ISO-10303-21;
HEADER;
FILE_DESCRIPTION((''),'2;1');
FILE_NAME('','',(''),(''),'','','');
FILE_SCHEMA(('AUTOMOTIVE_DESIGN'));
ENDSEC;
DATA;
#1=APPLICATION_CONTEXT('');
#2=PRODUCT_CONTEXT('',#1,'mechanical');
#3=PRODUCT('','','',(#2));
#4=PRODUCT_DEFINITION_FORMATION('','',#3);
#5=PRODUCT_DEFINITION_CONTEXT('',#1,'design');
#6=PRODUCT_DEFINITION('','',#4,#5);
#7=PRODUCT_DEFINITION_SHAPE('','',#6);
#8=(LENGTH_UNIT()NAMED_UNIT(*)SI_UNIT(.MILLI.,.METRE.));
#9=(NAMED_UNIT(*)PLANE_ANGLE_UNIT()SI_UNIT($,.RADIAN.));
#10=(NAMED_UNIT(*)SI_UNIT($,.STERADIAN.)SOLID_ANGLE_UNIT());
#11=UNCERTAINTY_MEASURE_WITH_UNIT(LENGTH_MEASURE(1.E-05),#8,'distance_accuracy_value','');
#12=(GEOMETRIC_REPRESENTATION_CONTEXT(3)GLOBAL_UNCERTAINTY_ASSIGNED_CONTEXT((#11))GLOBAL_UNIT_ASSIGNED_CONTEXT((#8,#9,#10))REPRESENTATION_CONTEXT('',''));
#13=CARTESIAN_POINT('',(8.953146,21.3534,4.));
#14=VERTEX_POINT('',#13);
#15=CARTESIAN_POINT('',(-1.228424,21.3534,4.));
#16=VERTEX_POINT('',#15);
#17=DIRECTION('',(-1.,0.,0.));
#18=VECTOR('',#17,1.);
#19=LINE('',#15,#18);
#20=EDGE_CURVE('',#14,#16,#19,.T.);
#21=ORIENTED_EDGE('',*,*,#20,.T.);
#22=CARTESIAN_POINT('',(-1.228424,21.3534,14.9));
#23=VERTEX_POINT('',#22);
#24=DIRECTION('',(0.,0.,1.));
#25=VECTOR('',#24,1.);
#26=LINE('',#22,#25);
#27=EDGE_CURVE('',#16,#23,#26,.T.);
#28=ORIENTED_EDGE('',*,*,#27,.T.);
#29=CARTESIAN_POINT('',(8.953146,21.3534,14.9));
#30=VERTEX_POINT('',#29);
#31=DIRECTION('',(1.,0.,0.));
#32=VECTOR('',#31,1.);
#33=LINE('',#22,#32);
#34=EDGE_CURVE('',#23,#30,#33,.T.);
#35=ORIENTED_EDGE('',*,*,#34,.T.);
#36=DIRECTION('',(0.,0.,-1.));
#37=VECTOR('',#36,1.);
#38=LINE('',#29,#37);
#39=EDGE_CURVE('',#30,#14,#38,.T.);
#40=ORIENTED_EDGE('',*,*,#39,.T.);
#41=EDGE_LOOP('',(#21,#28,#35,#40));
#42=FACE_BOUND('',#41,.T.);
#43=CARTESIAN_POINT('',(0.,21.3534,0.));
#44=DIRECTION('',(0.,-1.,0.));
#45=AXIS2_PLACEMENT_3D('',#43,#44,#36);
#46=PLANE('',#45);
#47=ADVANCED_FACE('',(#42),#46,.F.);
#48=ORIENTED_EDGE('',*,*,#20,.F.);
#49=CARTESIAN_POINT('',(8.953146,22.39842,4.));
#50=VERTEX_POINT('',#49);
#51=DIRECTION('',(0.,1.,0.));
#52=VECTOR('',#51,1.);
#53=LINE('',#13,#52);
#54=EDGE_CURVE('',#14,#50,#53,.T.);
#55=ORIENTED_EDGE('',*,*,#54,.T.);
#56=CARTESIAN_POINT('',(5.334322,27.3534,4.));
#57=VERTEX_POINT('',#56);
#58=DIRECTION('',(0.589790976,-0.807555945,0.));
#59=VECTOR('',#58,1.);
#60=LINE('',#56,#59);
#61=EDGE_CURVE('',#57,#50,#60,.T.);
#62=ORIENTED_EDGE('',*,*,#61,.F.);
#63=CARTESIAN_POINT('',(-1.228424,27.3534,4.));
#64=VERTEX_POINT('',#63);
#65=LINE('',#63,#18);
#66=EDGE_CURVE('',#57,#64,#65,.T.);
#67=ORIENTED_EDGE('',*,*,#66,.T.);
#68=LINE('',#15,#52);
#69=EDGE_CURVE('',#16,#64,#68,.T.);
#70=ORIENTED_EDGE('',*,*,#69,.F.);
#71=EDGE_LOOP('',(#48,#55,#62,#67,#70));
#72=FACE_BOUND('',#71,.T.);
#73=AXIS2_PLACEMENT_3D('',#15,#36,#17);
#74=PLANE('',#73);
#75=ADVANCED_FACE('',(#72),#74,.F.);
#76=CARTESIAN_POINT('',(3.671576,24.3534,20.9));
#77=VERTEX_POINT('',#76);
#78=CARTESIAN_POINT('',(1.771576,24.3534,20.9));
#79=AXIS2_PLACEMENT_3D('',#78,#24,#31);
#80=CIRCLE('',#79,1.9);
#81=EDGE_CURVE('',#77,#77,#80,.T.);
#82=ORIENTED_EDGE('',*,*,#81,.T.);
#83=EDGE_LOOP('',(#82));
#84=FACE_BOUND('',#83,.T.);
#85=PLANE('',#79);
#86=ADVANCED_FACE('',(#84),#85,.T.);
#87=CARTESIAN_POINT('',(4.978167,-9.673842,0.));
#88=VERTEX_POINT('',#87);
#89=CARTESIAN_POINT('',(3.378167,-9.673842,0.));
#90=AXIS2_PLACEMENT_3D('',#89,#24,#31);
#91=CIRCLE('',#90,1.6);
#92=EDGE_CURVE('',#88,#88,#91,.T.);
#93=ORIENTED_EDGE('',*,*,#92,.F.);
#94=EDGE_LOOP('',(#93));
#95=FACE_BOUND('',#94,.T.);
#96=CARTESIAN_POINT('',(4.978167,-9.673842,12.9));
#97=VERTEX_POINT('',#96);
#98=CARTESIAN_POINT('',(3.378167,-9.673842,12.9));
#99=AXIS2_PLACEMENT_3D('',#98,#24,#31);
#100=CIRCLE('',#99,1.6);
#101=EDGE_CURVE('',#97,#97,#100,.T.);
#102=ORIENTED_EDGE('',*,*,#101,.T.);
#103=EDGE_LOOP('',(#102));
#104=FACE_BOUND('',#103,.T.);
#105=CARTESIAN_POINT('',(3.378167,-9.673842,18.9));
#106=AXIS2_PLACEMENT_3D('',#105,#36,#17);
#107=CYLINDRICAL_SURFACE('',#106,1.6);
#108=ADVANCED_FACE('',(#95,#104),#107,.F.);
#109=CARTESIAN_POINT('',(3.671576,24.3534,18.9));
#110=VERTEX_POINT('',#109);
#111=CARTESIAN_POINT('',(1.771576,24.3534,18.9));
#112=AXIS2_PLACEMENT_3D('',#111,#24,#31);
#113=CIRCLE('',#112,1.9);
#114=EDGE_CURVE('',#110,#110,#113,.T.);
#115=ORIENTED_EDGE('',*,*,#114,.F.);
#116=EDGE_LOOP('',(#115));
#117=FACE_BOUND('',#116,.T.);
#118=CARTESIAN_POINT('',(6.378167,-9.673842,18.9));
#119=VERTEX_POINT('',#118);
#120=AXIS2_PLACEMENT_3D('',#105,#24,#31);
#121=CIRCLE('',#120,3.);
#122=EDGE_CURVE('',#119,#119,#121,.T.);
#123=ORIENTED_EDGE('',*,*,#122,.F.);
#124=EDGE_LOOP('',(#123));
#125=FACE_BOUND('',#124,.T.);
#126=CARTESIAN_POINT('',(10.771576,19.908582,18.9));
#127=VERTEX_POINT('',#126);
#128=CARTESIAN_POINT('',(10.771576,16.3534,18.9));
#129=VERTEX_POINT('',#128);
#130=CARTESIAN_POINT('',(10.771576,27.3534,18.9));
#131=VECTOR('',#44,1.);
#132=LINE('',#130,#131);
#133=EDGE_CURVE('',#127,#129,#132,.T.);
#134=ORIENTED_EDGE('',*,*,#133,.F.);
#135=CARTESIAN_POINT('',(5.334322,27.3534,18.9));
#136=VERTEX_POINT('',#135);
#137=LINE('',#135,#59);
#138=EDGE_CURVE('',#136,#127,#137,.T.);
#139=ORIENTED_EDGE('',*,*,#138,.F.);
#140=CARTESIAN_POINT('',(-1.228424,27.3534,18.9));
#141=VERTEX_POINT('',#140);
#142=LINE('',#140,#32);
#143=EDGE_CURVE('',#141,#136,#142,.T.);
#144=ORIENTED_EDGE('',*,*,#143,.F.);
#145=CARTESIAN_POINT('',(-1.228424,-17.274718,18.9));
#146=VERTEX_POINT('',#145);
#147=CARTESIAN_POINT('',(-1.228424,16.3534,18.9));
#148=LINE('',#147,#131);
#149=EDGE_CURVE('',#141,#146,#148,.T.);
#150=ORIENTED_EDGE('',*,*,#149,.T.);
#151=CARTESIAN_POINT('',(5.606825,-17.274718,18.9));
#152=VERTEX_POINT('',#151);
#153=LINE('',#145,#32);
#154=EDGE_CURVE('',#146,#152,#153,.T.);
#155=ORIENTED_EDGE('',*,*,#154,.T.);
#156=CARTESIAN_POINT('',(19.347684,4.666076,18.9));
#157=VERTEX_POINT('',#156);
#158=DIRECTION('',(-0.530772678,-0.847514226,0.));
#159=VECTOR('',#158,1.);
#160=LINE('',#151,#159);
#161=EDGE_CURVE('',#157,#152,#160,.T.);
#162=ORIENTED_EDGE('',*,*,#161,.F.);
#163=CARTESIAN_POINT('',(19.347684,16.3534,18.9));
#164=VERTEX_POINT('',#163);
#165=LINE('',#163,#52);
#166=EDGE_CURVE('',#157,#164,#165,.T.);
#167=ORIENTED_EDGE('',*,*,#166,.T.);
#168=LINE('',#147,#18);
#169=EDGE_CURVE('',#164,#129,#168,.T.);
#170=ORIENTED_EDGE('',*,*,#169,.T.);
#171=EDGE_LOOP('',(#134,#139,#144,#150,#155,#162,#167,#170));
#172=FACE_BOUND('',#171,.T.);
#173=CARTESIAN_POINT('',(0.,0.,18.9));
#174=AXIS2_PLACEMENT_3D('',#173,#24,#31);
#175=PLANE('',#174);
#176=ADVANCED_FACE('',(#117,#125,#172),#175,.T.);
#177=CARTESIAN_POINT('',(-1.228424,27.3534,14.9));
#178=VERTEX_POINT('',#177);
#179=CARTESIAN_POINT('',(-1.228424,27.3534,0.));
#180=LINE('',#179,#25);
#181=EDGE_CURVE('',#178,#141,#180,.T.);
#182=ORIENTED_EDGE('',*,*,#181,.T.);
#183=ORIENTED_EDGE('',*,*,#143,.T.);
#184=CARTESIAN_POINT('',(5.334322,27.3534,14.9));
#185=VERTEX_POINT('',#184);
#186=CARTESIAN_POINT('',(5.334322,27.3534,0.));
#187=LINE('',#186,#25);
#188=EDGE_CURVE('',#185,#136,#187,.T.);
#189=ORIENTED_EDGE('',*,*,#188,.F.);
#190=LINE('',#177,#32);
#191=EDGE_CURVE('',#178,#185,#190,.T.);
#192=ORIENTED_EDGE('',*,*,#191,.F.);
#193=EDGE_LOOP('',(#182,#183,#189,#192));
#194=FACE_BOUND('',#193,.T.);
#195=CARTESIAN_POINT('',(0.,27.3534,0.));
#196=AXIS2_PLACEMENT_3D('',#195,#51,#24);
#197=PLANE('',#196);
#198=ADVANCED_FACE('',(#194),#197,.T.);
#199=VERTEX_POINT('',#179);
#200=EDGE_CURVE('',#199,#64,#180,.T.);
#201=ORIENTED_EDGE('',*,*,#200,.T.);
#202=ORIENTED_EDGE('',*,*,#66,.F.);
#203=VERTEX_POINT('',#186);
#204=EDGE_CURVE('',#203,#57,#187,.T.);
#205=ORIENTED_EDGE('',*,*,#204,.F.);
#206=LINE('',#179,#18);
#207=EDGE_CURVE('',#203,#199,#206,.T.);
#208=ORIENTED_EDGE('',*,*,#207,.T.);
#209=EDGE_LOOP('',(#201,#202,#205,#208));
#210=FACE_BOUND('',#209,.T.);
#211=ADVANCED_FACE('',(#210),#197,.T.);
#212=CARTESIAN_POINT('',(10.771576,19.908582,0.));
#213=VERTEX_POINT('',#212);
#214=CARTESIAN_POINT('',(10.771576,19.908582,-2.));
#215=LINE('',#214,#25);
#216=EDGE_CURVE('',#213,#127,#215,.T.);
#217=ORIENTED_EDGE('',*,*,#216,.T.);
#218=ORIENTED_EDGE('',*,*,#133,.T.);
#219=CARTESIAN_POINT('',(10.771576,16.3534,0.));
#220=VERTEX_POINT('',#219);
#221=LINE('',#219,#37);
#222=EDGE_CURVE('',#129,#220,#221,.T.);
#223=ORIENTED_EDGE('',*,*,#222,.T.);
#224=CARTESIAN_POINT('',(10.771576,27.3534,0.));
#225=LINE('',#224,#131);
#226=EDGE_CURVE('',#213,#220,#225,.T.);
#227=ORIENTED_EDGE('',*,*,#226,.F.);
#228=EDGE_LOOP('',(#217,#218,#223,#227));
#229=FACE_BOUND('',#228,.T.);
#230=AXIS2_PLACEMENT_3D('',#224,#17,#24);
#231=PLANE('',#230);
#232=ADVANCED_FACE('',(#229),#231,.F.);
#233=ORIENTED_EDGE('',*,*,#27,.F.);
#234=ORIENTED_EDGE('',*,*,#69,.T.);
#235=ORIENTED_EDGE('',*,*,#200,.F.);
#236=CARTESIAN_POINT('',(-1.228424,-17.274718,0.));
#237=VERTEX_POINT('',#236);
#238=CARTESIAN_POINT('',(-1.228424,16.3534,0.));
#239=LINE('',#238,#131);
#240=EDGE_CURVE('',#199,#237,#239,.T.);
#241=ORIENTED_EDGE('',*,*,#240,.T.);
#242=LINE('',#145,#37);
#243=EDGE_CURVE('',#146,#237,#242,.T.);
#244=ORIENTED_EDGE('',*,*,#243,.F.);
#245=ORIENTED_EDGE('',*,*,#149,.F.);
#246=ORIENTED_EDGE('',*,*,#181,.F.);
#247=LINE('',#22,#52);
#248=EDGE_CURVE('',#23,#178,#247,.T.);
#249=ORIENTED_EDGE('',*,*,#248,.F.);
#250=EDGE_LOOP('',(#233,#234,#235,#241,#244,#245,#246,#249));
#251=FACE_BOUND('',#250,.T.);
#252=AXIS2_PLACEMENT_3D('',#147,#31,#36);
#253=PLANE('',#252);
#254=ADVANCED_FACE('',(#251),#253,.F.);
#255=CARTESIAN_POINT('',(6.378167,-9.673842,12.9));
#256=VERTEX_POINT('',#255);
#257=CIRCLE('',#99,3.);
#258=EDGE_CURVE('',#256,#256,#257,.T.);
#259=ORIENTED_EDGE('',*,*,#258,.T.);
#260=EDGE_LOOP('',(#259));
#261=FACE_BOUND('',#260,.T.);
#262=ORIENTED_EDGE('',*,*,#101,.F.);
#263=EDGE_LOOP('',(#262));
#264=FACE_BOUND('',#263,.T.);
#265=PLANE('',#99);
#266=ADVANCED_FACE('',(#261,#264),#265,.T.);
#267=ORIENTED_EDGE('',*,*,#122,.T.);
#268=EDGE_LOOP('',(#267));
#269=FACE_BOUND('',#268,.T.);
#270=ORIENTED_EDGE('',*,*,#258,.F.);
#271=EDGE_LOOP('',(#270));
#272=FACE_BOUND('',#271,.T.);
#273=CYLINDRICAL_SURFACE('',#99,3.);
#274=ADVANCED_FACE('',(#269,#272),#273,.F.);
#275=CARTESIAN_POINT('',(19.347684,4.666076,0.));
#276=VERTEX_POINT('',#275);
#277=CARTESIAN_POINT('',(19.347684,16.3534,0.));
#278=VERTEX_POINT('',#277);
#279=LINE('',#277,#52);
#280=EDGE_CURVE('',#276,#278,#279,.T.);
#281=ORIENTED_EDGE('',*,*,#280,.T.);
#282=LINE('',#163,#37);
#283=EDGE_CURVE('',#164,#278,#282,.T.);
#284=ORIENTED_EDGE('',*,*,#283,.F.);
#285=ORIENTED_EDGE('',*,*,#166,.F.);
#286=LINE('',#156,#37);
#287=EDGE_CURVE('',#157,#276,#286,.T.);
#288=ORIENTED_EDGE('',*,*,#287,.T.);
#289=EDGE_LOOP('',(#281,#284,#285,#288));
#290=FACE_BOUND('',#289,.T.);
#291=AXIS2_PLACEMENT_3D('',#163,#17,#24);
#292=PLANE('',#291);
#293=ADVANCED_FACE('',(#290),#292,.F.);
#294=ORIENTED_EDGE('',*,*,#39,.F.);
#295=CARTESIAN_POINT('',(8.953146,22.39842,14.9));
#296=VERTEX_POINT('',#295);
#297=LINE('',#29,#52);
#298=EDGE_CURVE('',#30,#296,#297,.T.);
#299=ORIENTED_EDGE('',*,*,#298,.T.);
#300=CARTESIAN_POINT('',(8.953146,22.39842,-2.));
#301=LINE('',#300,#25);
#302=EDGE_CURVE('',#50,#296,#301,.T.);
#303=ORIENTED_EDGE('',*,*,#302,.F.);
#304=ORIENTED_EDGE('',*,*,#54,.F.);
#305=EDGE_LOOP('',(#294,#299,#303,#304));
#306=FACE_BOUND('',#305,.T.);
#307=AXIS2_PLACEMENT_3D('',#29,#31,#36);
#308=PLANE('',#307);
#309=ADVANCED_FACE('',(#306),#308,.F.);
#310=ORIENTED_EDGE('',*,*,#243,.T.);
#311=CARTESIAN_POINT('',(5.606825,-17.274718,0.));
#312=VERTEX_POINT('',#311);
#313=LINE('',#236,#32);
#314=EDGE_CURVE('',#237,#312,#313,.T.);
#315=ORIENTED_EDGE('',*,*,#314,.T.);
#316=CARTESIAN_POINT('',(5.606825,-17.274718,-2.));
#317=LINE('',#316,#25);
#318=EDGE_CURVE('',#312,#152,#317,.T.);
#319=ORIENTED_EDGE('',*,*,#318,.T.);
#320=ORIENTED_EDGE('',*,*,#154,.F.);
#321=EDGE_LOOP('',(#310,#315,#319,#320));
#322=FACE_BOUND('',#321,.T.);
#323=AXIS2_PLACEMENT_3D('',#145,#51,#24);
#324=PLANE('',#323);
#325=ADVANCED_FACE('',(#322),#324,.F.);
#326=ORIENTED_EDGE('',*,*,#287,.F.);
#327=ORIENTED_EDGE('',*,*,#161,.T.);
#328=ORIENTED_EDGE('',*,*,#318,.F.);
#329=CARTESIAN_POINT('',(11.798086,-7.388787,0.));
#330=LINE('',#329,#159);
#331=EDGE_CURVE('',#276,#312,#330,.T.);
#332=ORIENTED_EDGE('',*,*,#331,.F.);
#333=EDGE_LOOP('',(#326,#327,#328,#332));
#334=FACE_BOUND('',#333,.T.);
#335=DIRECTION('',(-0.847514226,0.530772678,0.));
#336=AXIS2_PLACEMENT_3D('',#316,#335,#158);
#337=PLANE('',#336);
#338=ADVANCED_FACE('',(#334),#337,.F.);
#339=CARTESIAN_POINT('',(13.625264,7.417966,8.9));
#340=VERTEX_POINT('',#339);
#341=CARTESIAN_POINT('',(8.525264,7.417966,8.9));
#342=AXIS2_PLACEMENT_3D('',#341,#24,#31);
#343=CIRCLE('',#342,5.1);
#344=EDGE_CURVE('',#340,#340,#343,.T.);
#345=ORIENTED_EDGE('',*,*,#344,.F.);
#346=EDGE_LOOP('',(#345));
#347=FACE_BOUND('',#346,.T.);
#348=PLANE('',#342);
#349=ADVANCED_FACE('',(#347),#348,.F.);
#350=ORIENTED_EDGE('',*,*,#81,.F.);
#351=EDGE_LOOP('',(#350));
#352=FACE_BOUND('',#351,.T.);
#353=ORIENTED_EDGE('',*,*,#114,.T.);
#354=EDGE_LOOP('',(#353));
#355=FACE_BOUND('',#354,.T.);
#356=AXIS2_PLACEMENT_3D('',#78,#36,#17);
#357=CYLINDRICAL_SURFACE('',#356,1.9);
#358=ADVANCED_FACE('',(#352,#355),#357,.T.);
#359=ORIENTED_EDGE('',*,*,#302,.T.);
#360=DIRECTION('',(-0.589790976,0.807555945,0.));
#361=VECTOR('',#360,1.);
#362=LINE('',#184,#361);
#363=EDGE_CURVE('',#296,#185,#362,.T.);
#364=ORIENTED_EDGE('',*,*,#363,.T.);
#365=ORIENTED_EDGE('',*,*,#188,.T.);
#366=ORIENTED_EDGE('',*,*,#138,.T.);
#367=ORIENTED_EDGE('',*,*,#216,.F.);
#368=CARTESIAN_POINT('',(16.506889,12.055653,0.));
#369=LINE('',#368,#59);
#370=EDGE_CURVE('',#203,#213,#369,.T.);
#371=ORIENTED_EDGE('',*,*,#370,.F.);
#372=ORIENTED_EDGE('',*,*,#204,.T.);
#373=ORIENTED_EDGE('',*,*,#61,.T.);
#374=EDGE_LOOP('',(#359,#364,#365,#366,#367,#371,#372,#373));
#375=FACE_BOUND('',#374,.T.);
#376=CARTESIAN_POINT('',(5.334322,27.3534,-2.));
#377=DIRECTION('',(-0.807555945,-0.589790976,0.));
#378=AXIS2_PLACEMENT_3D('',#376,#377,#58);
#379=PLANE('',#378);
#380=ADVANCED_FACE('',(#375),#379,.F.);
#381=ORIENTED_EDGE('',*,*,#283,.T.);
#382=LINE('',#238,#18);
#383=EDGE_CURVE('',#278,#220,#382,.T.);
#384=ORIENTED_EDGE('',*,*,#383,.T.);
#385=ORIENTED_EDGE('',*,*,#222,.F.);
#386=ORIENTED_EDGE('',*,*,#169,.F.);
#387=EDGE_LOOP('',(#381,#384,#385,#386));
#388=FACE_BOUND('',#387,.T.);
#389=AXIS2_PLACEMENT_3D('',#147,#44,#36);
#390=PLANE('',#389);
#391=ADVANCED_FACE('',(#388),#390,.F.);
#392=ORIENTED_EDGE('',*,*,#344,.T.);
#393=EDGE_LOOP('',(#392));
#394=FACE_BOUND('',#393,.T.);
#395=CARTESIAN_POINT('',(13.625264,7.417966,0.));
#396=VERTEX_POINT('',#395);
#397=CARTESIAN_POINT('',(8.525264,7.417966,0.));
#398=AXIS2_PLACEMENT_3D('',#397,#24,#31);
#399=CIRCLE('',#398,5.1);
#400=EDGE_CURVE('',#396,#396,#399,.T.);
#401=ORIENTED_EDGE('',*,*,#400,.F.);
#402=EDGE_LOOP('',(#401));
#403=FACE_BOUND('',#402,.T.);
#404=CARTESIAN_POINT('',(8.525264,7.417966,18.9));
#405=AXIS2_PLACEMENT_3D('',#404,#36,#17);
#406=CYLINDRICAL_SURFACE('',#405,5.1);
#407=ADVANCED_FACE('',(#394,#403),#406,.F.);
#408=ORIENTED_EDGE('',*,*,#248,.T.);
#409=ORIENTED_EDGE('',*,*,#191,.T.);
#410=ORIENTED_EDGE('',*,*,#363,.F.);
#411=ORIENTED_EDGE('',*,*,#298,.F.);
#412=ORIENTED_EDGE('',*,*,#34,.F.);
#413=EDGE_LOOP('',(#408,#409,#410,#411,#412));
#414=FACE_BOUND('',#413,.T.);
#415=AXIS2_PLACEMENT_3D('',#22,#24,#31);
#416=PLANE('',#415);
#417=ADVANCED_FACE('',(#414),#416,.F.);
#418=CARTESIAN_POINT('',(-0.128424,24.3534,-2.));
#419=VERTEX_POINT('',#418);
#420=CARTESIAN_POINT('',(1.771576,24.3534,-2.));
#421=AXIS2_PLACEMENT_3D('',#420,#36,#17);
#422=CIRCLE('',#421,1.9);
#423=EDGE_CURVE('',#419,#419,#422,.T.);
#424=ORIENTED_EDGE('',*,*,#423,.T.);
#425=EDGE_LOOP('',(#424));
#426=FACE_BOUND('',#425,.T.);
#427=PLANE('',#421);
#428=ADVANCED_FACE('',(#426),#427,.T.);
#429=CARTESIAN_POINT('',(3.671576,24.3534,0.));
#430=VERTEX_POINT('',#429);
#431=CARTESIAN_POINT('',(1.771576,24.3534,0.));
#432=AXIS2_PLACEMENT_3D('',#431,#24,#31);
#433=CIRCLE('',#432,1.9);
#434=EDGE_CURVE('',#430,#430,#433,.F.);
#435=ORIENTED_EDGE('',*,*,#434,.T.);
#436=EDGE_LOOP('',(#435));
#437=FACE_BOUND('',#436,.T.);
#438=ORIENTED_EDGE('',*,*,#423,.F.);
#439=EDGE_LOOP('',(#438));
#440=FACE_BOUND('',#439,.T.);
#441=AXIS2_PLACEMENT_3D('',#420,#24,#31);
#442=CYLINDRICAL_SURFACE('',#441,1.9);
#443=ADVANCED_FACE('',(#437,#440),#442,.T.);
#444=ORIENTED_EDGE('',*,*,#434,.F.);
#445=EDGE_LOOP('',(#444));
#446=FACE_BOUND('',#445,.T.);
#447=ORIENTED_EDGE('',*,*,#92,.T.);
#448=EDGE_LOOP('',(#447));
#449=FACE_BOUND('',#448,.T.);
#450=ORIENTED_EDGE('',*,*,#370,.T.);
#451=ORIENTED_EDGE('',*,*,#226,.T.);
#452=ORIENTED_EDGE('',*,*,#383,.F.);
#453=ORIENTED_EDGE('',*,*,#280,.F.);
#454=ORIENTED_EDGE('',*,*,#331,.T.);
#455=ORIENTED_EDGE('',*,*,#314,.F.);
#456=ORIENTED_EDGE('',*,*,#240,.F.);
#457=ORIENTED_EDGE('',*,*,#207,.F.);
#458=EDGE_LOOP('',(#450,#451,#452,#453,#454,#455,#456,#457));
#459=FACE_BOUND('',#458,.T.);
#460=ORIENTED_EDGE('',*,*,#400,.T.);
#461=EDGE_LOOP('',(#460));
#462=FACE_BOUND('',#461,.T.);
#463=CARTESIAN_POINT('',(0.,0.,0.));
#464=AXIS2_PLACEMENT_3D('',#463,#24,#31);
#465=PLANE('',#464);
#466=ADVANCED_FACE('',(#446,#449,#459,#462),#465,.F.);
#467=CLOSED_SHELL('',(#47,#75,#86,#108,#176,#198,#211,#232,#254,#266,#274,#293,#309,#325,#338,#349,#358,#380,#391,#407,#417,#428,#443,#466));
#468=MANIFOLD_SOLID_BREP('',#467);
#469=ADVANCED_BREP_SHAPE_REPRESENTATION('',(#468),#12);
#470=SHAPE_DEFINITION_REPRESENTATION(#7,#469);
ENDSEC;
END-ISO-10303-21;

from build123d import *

# Parameters (mm, degrees)
SKETCH1_W           = 20.576108637
SKETCH1_H           = 33.628117847
SKETCH1_R           = 5.1
SKETCH1_R_2         = 1.6
BOSS_EXTRUDE1_DEPTH = 18.9
SKETCH3_W           = 12
SKETCH3_H           = 18.9
BOSS_EXTRUDE3_DEPTH = 11
SKETCH4_R           = 1.9
BOSS_EXTRUDE6_DEPTH = 2
BOSS_EXTRUDE7_START = 2
SKETCH5_R           = 1.9
BOSS_EXTRUDE7_DEPTH = 2
CUT_EXTRUDE1_DEPTH  = 40.488623232
CUT_EXTRUDE2_DEPTH  = 40.488623232
SKETCH8_W           = 10.181570082
SKETCH8_H           = 10.9
CUT_EXTRUDE3_DEPTH  = 6
SKETCH9_R           = 6.144425542
BOSS_EXTRUDE8_DEPTH = 10
SKETCH10_R          = 3
CUT_EXTRUDE4_DEPTH  = 6


with BuildPart() as part:
    # Sketch1 → Boss-Extrude1 (new body)
    with BuildSketch(Plane.XY):
        with Locations((9.059629922, -0.460659149)):
            Rectangle(SKETCH1_W, SKETCH1_H)
        with Locations((8.525263921, 7.417965689)):
            Circle(SKETCH1_R, mode=Mode.SUBTRACT)
        with Locations((3.37816709, -9.67384212)):
            Circle(SKETCH1_R_2, mode=Mode.SUBTRACT)
    extrude(amount=BOSS_EXTRUDE1_DEPTH)

    # Sketch3 → Boss-Extrude3 (add)
    with BuildSketch(Plane(origin=(0, 16.353399775, 0), x_dir=(1, 0, 0), z_dir=(0, 1, 0))):
        with Locations((4.771575604, -9.45)):
            Rectangle(SKETCH3_W, SKETCH3_H)
    extrude(amount=BOSS_EXTRUDE3_DEPTH)

    # Sketch4 → Boss-Extrude6 (add)
    with BuildSketch(Plane.XY.offset(18.9)):
        with Locations((1.771575604, 24.353399775)):
            Circle(SKETCH4_R)
    extrude(amount=BOSS_EXTRUDE6_DEPTH)

    # Sketch5 → Boss-Extrude7 (add)
    with BuildSketch(Plane(origin=(0, 0, 0), x_dir=(-1, 0, 0), z_dir=(0, 0, -1)).offset(BOSS_EXTRUDE7_START)):
        with Locations(Location((-1.771575604, 24.353399775, 0), (0, 0, 180))):
            Circle(SKETCH5_R)
    extrude(amount=-BOSS_EXTRUDE7_DEPTH)

    # Sketch6 → Cut-Extrude1 (cut, through all)
    with BuildSketch(Plane.XY.offset(18.9)):
        Polygon((5.606824739, -17.274718072), (19.347684241, 4.666075764), (19.347684241, -17.274718072), align=None)
    extrude(amount=-CUT_EXTRUDE1_DEPTH, mode=Mode.SUBTRACT)

    # Sketch7 → Cut-Extrude2 (cut, through all)
    with BuildSketch(Plane.XY.offset(18.9)):
        Polygon((5.334321987, 27.353399775), (10.771575604, 19.908581769), (10.771575604, 27.353399775), align=None)
    extrude(amount=-CUT_EXTRUDE2_DEPTH, mode=Mode.SUBTRACT)

    # Sketch8 → Cut-Extrude3 (cut)
    with BuildSketch(Plane(origin=(0, 27.353399775, 0), x_dir=(1, 0, 0), z_dir=(0, 1, 0))):
        with Locations((3.862360645, -9.45)):
            Rectangle(SKETCH8_W, SKETCH8_H)
    extrude(amount=-CUT_EXTRUDE3_DEPTH, mode=Mode.SUBTRACT)

    # Sketch9 → Boss-Extrude8 (add)
    with BuildSketch(Plane.XY.offset(18.9)):
        with Locations((8.525263921, 7.417965689)):
            Circle(SKETCH9_R)
    extrude(amount=-BOSS_EXTRUDE8_DEPTH)

    # Sketch10 → Cut-Extrude4 (cut)
    with BuildSketch(Plane.XY.offset(18.9)):
        with Locations((3.37816709, -9.67384212)):
            Circle(SKETCH10_R)
    extrude(amount=-CUT_EXTRUDE4_DEPTH, mode=Mode.SUBTRACT)


solid = part.part
